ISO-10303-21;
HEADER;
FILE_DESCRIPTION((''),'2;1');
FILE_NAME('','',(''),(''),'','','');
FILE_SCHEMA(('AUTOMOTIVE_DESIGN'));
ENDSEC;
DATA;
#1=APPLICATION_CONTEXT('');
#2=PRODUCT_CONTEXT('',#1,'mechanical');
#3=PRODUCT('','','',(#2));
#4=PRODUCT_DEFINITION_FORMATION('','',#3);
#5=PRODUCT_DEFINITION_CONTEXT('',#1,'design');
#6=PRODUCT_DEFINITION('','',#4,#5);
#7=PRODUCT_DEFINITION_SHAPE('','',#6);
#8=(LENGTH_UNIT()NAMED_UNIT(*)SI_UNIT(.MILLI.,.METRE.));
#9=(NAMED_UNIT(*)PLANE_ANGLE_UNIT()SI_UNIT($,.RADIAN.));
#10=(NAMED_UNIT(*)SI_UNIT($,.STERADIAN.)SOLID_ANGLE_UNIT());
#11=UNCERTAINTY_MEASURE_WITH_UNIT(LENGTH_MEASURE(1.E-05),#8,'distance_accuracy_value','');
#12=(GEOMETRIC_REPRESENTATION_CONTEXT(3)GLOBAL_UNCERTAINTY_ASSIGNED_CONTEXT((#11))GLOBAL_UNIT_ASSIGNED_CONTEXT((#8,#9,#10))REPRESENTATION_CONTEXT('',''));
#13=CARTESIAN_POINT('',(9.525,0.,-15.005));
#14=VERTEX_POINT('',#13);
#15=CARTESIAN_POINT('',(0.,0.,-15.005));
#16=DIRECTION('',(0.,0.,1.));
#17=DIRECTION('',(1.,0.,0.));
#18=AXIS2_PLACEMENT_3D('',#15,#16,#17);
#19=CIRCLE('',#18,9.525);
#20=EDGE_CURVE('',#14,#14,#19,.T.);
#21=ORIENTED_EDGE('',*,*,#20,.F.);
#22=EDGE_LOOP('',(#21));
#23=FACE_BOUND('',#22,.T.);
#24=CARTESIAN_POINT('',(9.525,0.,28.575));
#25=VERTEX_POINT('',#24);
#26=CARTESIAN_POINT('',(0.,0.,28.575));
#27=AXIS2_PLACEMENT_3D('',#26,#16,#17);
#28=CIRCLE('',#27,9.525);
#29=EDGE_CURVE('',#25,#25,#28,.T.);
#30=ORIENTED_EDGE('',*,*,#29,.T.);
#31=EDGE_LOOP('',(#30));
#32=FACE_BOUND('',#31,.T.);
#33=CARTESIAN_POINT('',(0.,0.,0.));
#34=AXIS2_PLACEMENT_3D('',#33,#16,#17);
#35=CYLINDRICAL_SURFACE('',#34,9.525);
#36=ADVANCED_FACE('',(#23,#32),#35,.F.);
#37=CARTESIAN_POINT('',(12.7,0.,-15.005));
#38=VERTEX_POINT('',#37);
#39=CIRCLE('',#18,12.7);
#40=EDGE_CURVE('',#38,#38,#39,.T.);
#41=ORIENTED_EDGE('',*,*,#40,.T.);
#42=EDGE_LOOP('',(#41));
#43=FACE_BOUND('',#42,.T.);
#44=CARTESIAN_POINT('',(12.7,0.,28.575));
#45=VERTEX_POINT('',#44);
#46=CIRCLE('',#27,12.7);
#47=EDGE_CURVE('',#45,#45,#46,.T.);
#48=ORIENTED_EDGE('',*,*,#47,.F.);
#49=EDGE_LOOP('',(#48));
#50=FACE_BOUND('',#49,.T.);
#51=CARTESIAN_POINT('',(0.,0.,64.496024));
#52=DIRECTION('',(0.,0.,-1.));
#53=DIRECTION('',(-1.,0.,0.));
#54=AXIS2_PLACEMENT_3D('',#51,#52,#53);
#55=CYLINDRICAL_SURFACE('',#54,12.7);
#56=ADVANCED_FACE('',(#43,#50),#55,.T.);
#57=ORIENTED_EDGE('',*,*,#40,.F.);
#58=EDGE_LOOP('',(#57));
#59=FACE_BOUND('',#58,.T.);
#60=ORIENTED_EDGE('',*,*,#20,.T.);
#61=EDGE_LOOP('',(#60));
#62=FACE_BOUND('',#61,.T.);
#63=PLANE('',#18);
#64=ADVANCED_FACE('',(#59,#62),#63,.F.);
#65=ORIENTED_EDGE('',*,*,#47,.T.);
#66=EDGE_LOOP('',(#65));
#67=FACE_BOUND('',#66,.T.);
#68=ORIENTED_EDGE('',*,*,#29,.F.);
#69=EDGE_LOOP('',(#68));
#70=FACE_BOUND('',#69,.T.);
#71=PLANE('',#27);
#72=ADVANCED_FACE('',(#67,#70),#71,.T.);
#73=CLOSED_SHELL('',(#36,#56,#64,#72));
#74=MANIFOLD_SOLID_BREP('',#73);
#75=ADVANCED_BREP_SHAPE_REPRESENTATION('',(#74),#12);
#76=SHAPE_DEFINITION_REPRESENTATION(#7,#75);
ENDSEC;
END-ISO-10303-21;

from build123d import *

# Parameters (mm, degrees)
SKETCH1_R          = 12.7
BASE_EXTRUDE_DEPTH = 28.575
SKETCH2_R          = 9.525
CUT_EXTRUDE1_DEPTH = 34.750712955
SKETCH_1_R         = 12.7
SKETCH_1_R_2       = 9.525
EXTRUDE_1_DEPTH    = 43.58


with BuildPart() as part:
    # Sketch1 → Base-Extrude (new body)
    with BuildSketch(Plane.XY):
        Circle(SKETCH1_R)
    extrude(amount=BASE_EXTRUDE_DEPTH)

    # Sketch2 → Cut-Extrude1 (cut, through all)
    with BuildSketch(Plane.XY.offset(28.575)):
        Circle(SKETCH2_R)
    extrude(amount=-CUT_EXTRUDE1_DEPTH, mode=Mode.SUBTRACT)

    # Эскиз1 → Бобышка-Вытянуть1 (add)
    with BuildSketch(Plane.XY.offset(28.575)):
        Circle(SKETCH_1_R)
        Circle(SKETCH_1_R_2, mode=Mode.SUBTRACT)
    extrude(amount=-EXTRUDE_1_DEPTH)


solid = part.part
